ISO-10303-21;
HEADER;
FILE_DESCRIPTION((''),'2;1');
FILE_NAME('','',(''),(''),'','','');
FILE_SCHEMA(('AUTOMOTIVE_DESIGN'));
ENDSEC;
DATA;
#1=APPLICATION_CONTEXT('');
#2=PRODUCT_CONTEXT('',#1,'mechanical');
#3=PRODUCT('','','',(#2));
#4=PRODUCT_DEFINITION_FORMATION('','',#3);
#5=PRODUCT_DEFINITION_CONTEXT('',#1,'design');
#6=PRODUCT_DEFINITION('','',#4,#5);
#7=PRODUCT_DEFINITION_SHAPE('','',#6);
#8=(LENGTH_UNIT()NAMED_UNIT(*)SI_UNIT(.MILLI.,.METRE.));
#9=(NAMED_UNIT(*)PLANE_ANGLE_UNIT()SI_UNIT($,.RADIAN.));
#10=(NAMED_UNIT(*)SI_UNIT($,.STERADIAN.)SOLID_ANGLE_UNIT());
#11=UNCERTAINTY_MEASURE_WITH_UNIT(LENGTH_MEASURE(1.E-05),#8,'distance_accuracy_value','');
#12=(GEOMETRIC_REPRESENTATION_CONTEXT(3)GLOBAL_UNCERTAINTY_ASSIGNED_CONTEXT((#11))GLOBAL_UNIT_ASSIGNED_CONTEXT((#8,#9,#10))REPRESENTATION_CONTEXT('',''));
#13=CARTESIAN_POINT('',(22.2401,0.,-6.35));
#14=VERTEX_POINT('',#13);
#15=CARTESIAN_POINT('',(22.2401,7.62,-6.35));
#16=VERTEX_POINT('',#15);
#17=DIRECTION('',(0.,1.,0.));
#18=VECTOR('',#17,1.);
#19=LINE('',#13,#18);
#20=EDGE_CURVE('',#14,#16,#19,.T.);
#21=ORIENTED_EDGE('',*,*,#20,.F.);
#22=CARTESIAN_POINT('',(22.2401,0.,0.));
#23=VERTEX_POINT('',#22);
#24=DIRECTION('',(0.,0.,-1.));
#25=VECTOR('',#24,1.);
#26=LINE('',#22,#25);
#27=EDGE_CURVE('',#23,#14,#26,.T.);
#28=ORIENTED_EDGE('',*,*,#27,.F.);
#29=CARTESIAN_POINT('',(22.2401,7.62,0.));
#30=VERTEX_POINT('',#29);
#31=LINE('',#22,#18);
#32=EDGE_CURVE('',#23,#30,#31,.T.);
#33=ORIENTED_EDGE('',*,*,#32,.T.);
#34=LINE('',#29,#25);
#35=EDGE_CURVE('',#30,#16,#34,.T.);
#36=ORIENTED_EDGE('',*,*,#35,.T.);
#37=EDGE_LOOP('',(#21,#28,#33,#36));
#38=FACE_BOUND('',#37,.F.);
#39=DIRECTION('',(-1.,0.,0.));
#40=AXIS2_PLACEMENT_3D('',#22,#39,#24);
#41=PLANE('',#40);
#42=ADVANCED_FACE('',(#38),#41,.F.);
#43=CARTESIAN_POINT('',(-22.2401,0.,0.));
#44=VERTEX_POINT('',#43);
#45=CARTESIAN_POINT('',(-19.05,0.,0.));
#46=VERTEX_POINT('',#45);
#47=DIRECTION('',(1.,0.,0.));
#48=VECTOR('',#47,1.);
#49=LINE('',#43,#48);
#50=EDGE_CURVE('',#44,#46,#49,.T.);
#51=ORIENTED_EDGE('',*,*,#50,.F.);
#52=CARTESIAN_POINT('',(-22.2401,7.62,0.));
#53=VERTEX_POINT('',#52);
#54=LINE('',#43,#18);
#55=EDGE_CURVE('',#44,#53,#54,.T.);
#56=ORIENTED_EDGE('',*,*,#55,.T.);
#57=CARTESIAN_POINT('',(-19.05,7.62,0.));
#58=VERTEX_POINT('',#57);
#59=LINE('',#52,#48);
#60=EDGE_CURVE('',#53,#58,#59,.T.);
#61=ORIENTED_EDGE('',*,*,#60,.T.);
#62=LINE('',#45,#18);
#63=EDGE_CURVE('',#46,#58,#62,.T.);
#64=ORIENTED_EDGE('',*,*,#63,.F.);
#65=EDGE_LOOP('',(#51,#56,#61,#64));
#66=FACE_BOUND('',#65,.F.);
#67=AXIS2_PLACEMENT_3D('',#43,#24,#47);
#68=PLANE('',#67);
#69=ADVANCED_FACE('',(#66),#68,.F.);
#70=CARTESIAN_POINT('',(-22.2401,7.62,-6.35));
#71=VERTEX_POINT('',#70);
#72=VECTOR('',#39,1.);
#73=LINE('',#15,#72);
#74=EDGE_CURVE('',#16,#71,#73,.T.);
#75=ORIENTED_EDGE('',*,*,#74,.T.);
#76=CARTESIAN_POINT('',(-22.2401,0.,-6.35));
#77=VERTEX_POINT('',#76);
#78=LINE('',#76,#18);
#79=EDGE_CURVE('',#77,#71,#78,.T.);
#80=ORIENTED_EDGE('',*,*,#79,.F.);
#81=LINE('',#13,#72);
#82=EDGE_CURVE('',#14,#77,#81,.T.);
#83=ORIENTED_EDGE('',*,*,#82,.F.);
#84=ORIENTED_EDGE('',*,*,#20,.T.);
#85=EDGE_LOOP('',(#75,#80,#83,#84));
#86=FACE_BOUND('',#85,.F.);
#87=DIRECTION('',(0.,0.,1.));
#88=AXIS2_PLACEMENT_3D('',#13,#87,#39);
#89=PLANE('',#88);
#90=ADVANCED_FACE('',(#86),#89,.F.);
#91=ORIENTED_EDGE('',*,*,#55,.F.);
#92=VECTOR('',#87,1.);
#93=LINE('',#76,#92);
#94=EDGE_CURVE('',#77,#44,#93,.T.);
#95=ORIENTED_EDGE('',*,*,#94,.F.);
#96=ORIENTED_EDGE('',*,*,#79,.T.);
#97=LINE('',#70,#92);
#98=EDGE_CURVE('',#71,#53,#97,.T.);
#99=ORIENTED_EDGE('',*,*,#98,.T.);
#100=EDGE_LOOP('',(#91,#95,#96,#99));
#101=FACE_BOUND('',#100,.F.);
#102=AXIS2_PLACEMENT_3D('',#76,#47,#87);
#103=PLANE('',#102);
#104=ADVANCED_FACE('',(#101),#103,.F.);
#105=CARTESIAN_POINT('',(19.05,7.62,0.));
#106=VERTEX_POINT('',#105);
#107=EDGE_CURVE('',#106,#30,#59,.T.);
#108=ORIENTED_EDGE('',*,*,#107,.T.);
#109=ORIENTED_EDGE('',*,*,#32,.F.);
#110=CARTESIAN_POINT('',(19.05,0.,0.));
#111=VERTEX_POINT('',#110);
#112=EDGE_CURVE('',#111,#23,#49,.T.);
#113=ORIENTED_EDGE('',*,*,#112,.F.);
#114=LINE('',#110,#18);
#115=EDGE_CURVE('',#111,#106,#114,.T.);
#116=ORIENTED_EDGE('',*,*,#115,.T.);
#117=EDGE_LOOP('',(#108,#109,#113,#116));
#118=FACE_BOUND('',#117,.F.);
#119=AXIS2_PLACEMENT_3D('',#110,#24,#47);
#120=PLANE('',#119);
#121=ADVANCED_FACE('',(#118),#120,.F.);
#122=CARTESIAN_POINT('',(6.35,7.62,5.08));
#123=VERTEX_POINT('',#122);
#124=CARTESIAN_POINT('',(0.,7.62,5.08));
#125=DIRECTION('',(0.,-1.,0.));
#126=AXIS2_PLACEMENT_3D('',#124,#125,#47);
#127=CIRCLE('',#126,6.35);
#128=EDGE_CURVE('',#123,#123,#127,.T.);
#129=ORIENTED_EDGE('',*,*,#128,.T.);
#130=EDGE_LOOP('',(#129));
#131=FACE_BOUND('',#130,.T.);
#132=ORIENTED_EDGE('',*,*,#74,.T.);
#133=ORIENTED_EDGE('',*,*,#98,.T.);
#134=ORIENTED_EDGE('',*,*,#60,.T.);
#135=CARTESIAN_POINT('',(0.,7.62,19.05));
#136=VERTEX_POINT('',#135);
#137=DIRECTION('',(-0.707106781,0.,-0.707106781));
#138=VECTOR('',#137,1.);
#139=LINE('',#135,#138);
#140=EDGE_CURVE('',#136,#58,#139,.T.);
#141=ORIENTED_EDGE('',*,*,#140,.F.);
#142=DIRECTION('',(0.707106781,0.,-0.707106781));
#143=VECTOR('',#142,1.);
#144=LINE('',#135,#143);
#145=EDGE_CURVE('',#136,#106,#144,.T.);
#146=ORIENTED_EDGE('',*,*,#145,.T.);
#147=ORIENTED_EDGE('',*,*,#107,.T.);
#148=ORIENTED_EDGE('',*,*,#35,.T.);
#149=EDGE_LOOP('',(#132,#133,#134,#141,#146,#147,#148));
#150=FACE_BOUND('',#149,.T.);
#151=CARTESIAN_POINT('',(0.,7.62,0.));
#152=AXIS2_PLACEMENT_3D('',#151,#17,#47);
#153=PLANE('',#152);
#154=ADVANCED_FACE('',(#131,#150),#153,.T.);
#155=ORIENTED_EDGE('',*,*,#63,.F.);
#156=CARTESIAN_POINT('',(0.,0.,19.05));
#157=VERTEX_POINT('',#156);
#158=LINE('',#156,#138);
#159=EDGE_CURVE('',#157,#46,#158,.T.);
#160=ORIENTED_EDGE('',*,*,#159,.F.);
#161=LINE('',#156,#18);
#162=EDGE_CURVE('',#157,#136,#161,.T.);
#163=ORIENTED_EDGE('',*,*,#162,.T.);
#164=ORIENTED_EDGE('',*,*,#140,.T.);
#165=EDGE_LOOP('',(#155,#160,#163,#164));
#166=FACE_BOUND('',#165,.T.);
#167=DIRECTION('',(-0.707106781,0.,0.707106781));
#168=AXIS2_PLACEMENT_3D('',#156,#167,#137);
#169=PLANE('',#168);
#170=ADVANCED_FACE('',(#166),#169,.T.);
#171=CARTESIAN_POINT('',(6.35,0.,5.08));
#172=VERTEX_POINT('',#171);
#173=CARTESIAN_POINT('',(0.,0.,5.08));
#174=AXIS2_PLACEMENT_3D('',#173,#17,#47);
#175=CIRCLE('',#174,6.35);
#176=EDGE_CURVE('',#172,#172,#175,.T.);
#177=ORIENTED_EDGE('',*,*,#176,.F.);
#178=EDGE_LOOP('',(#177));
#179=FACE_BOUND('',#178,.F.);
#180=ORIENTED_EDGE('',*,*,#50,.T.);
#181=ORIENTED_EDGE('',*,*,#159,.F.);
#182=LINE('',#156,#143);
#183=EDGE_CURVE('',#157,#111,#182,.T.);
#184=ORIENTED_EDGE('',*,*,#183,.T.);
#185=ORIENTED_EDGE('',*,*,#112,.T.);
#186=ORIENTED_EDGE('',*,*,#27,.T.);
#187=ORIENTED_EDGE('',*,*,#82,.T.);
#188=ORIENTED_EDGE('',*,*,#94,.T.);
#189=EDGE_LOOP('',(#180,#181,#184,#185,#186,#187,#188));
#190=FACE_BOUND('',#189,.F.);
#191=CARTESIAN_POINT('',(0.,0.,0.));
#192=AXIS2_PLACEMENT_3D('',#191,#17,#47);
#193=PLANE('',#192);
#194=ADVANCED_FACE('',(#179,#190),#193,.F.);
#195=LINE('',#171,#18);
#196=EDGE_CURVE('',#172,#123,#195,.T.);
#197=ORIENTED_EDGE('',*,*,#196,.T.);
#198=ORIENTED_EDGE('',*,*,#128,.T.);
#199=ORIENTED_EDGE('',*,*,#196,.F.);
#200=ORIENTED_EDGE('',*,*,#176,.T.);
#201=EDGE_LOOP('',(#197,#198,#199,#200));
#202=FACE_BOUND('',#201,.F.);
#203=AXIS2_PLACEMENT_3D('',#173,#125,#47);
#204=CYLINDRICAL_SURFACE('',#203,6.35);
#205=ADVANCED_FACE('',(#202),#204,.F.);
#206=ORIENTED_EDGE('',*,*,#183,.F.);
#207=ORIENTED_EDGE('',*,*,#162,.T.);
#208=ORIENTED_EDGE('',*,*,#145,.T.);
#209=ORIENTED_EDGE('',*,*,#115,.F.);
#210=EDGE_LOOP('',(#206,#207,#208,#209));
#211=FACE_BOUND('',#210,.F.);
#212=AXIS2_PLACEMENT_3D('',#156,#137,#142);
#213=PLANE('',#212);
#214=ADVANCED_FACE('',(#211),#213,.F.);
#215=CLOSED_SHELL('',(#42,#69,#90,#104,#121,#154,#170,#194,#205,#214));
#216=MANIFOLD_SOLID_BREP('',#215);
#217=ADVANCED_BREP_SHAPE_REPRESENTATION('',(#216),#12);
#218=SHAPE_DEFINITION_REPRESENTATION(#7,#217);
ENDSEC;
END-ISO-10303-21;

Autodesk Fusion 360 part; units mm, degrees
sketch "Sketch1" plane through (0, 0, 0) normal (0, 1, 0) x (1, 0, 0)
  line L0 (-22.2401, 0) -> (22.2401, 0)
  line L1 (22.2401, 0) -> (22.2401, 6.35)
  line L2 (22.2401, 6.35) -> (-22.2401, 6.35)
  line L3 (-22.2401, 6.35) -> (-22.2401, 0)
  line L4 (0, 0) -> (0, -19.05)
  line L5 (0, -19.05) -> (-19.05, 0)
  line L6 (0, -19.05) -> (-21.997, -19.05) construction
  line L7 (0, -19.05) -> (19.05, 0)
  dimension "d1" = 19.05
  dimension "d2" = 45
  dimension "d6" = 25.4
extrude "Extrude1" add sketch "Sketch1" along normal blind 7.62
sketch "Sketch2" plane through (0, 0, 0) normal (0, -1, 0) x (1, 0, 0)
  line L0 (19.05, 0) -> (0, 19.05)
  line L1 (0, 19.05) -> (-19.05, 0)
  line L2 (-19.05, 0) -> (-22.2401, 0)
  line L3 (-22.2401, 0) -> (-22.2401, -6.35)
  line L4 (-22.2401, -6.35) -> (22.2401, -6.35)
  line L5 (22.2401, -6.35) -> (22.2401, 0)
  line L6 (22.2401, 0) -> (19.05, 0)
  line L7 (0, -6.35) -> (0, 20.8829)
  circle A0 centre (0, 5.08) radius 6.35
  dimension "d12" = 12.7
extrude "Extrude2" cut sketch "Sketch2" against normal blind 54.61 contours L7 A0 | L7 A0
equation "d1 = triangleHeight"
equation "d2 = triangleDeg"
equation "length = 1 in"
equation "height = 1 in"
equation "triangleHeight = 0.75 in"
equation "d6 = height"
equation "triangleDeg = 45 deg"
equation "width = 0.3 in"
equation "d9 = width"
equation "AxleHoleDia = 0.5 in"
equation "d12 = AxleHoleDia"
